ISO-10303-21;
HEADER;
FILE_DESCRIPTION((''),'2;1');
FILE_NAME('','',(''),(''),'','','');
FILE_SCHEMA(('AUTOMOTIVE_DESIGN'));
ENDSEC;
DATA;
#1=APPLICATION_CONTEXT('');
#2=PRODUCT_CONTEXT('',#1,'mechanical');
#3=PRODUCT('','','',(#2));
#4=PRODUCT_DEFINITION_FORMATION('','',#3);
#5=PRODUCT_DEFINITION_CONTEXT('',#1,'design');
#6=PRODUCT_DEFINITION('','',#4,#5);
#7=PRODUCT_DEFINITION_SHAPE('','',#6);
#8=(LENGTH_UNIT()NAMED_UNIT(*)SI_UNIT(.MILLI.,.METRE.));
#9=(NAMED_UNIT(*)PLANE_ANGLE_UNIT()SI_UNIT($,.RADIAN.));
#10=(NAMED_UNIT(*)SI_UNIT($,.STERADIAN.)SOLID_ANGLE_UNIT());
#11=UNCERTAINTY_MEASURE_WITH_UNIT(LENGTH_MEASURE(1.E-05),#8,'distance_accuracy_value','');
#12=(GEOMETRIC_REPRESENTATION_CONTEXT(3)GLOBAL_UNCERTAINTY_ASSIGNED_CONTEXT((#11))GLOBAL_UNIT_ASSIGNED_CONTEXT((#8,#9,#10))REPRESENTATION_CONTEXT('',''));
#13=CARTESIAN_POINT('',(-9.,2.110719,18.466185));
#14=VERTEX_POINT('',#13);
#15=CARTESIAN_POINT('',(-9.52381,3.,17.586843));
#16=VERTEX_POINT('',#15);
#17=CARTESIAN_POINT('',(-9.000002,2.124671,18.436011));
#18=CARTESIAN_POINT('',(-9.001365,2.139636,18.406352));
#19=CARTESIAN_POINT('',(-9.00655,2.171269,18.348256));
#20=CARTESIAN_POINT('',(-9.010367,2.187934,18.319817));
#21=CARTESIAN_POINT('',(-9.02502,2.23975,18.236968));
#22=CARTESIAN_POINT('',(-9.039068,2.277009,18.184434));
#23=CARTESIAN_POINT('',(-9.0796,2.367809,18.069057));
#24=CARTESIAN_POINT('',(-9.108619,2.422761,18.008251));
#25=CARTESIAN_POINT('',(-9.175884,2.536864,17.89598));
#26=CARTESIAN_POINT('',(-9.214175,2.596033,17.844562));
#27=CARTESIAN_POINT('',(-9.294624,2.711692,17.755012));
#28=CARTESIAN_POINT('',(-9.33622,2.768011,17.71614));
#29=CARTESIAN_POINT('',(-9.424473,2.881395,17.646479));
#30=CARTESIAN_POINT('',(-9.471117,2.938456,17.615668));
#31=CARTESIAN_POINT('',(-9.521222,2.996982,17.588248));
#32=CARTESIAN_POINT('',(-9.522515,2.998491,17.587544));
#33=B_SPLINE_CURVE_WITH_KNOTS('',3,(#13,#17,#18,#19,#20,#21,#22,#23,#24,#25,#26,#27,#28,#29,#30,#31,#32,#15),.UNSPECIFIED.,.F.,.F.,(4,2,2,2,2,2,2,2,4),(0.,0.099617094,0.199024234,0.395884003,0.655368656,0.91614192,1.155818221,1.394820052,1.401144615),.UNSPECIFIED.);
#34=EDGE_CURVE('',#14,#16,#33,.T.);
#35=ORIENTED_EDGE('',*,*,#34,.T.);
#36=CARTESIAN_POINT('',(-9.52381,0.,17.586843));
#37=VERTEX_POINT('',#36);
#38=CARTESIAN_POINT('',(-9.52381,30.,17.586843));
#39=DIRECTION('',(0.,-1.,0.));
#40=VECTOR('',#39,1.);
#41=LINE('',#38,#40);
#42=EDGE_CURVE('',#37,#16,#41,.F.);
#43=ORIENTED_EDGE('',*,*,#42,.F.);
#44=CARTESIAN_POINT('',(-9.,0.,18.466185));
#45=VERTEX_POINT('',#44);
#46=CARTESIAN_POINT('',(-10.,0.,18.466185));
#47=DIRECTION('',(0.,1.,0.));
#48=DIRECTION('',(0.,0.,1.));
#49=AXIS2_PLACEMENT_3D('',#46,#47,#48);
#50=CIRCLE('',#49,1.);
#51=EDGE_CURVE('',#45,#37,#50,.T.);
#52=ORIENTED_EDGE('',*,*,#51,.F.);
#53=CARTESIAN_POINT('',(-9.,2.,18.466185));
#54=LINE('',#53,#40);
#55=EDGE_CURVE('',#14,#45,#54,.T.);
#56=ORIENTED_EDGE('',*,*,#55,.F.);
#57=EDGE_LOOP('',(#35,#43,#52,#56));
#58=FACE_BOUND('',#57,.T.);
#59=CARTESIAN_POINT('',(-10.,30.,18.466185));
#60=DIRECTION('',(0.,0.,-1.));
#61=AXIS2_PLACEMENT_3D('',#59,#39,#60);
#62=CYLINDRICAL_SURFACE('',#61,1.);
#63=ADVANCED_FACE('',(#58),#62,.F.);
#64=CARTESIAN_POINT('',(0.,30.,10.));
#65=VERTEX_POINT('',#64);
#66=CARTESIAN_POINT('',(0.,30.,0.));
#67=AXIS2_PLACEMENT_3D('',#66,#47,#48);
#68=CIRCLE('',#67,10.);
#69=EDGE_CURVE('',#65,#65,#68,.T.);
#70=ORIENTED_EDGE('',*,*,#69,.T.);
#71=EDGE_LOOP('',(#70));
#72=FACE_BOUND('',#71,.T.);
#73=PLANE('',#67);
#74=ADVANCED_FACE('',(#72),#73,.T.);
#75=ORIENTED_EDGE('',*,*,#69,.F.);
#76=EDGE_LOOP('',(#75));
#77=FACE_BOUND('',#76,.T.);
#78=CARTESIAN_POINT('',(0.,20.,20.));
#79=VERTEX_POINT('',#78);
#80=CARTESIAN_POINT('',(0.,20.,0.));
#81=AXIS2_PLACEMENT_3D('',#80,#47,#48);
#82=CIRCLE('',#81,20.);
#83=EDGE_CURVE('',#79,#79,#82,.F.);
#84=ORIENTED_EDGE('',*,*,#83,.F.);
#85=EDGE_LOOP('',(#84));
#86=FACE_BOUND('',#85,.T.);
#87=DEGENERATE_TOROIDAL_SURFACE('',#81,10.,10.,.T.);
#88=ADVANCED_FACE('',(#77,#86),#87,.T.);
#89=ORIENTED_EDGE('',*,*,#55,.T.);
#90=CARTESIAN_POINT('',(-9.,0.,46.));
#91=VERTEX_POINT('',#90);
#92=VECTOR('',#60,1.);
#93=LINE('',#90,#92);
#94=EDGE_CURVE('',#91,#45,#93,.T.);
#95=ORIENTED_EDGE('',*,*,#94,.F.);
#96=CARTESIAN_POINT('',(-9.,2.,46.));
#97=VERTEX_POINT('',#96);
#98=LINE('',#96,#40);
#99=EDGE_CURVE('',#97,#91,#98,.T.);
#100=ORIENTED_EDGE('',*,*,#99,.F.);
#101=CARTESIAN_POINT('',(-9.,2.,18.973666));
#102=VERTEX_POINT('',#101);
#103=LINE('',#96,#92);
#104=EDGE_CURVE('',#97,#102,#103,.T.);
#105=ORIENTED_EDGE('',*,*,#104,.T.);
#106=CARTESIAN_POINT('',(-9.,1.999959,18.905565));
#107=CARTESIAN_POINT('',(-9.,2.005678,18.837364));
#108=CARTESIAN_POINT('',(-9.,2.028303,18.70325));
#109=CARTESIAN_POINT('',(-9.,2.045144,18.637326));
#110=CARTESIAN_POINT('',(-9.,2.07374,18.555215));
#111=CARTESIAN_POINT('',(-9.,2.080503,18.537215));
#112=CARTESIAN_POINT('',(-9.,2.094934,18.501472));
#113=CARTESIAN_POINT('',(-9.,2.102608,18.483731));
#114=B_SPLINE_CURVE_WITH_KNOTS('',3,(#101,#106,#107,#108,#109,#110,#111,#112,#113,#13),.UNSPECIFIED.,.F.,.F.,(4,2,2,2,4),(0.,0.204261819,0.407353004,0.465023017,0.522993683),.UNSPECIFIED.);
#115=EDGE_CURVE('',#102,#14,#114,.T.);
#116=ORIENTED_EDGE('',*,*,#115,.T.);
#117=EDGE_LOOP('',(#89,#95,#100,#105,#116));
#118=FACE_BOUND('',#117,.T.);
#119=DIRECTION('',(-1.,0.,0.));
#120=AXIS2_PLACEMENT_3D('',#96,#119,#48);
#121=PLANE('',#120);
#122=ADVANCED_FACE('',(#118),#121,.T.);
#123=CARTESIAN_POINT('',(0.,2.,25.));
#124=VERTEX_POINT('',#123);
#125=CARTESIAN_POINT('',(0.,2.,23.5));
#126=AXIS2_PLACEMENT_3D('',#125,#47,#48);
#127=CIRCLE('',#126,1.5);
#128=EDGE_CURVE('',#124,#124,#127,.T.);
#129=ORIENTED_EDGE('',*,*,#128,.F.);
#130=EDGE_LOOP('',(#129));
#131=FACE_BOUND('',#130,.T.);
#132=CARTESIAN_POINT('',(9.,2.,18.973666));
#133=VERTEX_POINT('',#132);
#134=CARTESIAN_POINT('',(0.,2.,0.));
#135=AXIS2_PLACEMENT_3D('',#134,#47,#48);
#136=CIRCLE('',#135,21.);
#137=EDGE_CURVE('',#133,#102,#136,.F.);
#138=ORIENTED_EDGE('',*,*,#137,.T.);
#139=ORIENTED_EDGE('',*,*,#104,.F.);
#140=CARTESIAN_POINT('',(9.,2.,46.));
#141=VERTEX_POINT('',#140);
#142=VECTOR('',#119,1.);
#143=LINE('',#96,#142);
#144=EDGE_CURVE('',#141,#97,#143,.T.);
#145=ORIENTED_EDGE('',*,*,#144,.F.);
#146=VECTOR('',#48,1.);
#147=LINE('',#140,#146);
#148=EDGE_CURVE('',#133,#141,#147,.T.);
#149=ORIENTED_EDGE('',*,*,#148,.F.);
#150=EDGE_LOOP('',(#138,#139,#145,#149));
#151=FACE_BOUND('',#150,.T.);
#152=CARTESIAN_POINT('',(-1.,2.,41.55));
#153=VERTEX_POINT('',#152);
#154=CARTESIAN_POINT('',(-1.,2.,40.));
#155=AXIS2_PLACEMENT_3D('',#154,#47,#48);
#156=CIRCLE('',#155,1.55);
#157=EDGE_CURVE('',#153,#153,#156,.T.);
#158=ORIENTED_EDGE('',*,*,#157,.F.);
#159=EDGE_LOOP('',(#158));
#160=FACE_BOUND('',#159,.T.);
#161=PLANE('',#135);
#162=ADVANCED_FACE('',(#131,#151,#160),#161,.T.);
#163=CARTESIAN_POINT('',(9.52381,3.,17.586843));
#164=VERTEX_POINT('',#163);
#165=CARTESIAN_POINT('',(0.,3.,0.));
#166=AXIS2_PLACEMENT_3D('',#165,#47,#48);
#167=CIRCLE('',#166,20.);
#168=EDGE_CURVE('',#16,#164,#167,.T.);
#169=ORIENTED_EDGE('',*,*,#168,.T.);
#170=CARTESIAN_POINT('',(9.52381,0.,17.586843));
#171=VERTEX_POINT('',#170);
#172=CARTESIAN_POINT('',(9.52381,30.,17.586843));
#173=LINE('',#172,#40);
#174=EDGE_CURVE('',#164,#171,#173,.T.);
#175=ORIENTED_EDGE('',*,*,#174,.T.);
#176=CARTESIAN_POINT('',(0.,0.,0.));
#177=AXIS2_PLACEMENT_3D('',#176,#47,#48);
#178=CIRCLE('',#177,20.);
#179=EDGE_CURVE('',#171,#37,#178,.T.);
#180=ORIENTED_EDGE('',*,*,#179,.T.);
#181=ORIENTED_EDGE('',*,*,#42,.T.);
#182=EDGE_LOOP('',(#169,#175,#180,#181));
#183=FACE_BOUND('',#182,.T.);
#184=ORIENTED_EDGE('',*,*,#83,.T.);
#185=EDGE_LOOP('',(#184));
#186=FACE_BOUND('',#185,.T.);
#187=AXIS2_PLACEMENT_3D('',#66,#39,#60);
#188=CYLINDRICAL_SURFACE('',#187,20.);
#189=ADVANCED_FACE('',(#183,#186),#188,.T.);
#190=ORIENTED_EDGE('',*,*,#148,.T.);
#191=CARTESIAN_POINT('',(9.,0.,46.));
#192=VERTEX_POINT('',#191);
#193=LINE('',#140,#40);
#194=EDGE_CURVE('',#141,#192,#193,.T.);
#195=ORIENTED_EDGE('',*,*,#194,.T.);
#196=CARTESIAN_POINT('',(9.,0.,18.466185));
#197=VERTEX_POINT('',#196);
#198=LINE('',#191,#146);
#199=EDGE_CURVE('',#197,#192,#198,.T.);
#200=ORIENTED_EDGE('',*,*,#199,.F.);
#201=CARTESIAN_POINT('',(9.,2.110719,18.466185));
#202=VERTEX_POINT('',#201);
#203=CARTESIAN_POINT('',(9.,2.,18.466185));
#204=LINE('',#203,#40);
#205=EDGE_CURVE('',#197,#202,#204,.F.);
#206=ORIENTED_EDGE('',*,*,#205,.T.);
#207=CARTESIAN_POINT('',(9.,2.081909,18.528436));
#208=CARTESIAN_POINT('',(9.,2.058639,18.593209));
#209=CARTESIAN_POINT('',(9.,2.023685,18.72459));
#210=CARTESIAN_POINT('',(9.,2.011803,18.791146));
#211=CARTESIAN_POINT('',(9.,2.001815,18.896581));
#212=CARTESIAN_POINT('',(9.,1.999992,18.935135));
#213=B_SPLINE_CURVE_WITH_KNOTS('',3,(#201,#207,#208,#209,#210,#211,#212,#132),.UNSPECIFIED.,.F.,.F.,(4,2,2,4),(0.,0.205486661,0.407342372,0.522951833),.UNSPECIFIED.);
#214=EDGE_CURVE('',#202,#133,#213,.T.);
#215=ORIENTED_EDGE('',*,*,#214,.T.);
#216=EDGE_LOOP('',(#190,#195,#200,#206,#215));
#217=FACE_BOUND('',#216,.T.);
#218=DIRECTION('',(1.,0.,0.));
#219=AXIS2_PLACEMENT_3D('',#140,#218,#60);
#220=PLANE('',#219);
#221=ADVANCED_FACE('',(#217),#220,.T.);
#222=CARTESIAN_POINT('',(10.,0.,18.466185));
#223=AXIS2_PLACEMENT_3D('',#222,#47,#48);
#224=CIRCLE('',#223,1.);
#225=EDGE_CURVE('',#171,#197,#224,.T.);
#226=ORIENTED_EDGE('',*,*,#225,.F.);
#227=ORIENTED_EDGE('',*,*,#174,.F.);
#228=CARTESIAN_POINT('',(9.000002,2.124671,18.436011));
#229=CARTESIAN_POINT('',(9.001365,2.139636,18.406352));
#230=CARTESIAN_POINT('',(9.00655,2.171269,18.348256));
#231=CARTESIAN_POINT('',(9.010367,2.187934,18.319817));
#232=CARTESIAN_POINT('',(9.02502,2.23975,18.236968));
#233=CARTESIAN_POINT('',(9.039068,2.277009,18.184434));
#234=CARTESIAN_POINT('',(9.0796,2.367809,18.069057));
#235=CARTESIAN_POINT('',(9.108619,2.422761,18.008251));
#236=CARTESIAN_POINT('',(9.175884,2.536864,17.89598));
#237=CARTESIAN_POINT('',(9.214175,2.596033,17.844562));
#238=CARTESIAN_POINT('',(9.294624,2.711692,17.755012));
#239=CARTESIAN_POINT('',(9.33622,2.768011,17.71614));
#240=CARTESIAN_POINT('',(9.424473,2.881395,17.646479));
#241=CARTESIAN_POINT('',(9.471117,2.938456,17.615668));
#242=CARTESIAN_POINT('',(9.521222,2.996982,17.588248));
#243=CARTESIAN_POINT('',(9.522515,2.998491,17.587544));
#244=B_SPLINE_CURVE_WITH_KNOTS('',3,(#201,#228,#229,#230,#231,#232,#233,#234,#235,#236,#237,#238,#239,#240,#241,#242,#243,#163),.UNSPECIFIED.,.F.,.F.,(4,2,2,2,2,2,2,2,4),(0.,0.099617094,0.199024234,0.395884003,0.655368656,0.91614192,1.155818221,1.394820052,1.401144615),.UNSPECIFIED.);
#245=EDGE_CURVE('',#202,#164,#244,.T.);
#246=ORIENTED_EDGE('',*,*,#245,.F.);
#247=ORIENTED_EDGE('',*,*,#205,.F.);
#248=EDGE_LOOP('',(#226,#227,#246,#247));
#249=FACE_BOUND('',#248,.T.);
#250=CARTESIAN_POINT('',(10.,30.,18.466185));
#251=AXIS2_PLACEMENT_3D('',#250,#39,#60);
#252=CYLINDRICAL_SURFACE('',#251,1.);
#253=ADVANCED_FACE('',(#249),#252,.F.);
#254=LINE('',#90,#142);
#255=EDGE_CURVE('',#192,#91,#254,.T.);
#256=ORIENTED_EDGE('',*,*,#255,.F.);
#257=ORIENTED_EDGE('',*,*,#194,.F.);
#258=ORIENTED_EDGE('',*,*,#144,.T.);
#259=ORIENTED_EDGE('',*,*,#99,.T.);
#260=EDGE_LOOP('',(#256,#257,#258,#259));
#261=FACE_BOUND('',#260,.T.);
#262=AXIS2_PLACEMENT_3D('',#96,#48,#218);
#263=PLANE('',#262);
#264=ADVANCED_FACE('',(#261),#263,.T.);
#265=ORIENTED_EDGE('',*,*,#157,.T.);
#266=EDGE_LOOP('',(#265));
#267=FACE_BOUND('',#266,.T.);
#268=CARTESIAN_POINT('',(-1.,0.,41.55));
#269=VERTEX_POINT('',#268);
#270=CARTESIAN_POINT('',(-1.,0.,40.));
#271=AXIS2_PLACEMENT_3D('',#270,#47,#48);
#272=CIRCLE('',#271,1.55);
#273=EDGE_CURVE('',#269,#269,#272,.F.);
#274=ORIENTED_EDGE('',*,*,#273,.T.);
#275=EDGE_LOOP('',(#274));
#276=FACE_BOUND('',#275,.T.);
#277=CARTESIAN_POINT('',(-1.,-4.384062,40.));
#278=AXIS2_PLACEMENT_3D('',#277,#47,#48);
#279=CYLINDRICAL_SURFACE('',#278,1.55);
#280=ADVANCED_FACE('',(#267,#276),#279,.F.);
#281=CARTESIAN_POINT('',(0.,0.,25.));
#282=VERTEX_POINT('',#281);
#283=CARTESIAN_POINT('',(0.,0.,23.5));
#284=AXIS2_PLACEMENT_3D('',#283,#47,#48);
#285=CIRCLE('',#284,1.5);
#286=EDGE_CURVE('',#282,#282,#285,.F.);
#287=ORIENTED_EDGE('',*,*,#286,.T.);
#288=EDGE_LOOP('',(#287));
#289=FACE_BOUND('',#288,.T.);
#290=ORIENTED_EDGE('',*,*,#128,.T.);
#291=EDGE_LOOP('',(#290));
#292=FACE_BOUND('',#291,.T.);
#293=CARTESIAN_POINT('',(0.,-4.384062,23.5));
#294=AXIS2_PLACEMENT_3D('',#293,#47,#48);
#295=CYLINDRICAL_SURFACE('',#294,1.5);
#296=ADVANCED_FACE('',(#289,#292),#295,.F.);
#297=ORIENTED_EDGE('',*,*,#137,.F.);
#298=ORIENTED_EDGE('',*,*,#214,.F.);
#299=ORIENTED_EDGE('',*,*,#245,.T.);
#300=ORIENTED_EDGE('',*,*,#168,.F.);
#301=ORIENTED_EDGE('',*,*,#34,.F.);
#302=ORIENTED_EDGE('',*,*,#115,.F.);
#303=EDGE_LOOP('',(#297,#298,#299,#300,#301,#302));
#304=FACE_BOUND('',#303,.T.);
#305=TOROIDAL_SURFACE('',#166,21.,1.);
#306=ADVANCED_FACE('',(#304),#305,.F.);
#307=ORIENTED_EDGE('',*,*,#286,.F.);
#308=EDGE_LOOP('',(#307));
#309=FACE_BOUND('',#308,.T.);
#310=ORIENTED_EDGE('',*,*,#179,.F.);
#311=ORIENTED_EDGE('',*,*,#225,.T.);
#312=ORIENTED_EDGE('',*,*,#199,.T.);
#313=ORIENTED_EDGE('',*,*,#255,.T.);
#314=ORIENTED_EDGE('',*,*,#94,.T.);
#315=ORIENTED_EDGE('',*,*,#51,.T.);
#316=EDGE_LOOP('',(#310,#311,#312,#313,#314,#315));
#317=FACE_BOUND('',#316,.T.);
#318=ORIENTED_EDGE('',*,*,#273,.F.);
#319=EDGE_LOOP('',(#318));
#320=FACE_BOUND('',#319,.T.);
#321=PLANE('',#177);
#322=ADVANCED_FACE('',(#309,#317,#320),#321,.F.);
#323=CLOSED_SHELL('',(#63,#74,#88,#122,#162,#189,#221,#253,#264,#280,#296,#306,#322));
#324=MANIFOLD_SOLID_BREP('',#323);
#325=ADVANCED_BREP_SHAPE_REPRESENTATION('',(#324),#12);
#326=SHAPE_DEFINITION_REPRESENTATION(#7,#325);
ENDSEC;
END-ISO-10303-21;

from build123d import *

# Parameters (mm, degrees)
SKETCH1_R           = 20
BOSS_EXTRUDE1_DEPTH = 30
BOSS_EXTRUDE2_DEPTH = 2
SKETCH3_R           = 1.55
SKETCH3_R_2         = 1.5
CUT_EXTRUDE1_DEPTH  = 2
FILLET1_R           = 1
FILLET2_R           = 10


with BuildPart() as part:
    # Sketch1 → Boss-Extrude1 (new body)
    with BuildSketch(Plane(origin=(0, 0, 0), x_dir=(1, 0, 0), z_dir=(0, 1, 0))):
        Circle(SKETCH1_R)
    extrude(amount=BOSS_EXTRUDE1_DEPTH)

    # Sketch2 → Boss-Extrude2 (add)
    with BuildSketch(Plane.XZ):
        with BuildLine():
            Line((-9, 46), (-9, 17.860571099))
            ThreePointArc((-9, 17.860571099), (0, 20), (9, 17.860571099))
            Line((9, 17.860571099), (9, 46))
            Line((9, 46), (-9, 46))
        make_face()
    extrude(amount=-BOSS_EXTRUDE2_DEPTH)

    # Sketch3 → Cut-Extrude1 (cut)
    with BuildSketch(Plane(origin=(0, 2, 0), x_dir=(1, 0, 0), z_dir=(0, 1, 0))):
        with Locations((-1, -40)):
            Circle(SKETCH3_R)
        with Locations((0, -23.5)):
            Circle(SKETCH3_R_2)
    extrude(amount=-CUT_EXTRUDE1_DEPTH, mode=Mode.SUBTRACT)

    # Fillet1
    fillet1_edges = [part.edges().sort_by_distance(p)[0] for p in [
        (-9, 1, 17.860571099),
        (0, 2, 20),
        (9, 1, 17.860571099),
    ]]
    fillet(fillet1_edges, radius=FILLET1_R)

    # Fillet2
    fillet2_edges = [part.edges().sort_by_distance(p)[0] for p in [
        (-20, 30, 0),
    ]]
    fillet(fillet2_edges, radius=FILLET2_R)


solid = part.part
